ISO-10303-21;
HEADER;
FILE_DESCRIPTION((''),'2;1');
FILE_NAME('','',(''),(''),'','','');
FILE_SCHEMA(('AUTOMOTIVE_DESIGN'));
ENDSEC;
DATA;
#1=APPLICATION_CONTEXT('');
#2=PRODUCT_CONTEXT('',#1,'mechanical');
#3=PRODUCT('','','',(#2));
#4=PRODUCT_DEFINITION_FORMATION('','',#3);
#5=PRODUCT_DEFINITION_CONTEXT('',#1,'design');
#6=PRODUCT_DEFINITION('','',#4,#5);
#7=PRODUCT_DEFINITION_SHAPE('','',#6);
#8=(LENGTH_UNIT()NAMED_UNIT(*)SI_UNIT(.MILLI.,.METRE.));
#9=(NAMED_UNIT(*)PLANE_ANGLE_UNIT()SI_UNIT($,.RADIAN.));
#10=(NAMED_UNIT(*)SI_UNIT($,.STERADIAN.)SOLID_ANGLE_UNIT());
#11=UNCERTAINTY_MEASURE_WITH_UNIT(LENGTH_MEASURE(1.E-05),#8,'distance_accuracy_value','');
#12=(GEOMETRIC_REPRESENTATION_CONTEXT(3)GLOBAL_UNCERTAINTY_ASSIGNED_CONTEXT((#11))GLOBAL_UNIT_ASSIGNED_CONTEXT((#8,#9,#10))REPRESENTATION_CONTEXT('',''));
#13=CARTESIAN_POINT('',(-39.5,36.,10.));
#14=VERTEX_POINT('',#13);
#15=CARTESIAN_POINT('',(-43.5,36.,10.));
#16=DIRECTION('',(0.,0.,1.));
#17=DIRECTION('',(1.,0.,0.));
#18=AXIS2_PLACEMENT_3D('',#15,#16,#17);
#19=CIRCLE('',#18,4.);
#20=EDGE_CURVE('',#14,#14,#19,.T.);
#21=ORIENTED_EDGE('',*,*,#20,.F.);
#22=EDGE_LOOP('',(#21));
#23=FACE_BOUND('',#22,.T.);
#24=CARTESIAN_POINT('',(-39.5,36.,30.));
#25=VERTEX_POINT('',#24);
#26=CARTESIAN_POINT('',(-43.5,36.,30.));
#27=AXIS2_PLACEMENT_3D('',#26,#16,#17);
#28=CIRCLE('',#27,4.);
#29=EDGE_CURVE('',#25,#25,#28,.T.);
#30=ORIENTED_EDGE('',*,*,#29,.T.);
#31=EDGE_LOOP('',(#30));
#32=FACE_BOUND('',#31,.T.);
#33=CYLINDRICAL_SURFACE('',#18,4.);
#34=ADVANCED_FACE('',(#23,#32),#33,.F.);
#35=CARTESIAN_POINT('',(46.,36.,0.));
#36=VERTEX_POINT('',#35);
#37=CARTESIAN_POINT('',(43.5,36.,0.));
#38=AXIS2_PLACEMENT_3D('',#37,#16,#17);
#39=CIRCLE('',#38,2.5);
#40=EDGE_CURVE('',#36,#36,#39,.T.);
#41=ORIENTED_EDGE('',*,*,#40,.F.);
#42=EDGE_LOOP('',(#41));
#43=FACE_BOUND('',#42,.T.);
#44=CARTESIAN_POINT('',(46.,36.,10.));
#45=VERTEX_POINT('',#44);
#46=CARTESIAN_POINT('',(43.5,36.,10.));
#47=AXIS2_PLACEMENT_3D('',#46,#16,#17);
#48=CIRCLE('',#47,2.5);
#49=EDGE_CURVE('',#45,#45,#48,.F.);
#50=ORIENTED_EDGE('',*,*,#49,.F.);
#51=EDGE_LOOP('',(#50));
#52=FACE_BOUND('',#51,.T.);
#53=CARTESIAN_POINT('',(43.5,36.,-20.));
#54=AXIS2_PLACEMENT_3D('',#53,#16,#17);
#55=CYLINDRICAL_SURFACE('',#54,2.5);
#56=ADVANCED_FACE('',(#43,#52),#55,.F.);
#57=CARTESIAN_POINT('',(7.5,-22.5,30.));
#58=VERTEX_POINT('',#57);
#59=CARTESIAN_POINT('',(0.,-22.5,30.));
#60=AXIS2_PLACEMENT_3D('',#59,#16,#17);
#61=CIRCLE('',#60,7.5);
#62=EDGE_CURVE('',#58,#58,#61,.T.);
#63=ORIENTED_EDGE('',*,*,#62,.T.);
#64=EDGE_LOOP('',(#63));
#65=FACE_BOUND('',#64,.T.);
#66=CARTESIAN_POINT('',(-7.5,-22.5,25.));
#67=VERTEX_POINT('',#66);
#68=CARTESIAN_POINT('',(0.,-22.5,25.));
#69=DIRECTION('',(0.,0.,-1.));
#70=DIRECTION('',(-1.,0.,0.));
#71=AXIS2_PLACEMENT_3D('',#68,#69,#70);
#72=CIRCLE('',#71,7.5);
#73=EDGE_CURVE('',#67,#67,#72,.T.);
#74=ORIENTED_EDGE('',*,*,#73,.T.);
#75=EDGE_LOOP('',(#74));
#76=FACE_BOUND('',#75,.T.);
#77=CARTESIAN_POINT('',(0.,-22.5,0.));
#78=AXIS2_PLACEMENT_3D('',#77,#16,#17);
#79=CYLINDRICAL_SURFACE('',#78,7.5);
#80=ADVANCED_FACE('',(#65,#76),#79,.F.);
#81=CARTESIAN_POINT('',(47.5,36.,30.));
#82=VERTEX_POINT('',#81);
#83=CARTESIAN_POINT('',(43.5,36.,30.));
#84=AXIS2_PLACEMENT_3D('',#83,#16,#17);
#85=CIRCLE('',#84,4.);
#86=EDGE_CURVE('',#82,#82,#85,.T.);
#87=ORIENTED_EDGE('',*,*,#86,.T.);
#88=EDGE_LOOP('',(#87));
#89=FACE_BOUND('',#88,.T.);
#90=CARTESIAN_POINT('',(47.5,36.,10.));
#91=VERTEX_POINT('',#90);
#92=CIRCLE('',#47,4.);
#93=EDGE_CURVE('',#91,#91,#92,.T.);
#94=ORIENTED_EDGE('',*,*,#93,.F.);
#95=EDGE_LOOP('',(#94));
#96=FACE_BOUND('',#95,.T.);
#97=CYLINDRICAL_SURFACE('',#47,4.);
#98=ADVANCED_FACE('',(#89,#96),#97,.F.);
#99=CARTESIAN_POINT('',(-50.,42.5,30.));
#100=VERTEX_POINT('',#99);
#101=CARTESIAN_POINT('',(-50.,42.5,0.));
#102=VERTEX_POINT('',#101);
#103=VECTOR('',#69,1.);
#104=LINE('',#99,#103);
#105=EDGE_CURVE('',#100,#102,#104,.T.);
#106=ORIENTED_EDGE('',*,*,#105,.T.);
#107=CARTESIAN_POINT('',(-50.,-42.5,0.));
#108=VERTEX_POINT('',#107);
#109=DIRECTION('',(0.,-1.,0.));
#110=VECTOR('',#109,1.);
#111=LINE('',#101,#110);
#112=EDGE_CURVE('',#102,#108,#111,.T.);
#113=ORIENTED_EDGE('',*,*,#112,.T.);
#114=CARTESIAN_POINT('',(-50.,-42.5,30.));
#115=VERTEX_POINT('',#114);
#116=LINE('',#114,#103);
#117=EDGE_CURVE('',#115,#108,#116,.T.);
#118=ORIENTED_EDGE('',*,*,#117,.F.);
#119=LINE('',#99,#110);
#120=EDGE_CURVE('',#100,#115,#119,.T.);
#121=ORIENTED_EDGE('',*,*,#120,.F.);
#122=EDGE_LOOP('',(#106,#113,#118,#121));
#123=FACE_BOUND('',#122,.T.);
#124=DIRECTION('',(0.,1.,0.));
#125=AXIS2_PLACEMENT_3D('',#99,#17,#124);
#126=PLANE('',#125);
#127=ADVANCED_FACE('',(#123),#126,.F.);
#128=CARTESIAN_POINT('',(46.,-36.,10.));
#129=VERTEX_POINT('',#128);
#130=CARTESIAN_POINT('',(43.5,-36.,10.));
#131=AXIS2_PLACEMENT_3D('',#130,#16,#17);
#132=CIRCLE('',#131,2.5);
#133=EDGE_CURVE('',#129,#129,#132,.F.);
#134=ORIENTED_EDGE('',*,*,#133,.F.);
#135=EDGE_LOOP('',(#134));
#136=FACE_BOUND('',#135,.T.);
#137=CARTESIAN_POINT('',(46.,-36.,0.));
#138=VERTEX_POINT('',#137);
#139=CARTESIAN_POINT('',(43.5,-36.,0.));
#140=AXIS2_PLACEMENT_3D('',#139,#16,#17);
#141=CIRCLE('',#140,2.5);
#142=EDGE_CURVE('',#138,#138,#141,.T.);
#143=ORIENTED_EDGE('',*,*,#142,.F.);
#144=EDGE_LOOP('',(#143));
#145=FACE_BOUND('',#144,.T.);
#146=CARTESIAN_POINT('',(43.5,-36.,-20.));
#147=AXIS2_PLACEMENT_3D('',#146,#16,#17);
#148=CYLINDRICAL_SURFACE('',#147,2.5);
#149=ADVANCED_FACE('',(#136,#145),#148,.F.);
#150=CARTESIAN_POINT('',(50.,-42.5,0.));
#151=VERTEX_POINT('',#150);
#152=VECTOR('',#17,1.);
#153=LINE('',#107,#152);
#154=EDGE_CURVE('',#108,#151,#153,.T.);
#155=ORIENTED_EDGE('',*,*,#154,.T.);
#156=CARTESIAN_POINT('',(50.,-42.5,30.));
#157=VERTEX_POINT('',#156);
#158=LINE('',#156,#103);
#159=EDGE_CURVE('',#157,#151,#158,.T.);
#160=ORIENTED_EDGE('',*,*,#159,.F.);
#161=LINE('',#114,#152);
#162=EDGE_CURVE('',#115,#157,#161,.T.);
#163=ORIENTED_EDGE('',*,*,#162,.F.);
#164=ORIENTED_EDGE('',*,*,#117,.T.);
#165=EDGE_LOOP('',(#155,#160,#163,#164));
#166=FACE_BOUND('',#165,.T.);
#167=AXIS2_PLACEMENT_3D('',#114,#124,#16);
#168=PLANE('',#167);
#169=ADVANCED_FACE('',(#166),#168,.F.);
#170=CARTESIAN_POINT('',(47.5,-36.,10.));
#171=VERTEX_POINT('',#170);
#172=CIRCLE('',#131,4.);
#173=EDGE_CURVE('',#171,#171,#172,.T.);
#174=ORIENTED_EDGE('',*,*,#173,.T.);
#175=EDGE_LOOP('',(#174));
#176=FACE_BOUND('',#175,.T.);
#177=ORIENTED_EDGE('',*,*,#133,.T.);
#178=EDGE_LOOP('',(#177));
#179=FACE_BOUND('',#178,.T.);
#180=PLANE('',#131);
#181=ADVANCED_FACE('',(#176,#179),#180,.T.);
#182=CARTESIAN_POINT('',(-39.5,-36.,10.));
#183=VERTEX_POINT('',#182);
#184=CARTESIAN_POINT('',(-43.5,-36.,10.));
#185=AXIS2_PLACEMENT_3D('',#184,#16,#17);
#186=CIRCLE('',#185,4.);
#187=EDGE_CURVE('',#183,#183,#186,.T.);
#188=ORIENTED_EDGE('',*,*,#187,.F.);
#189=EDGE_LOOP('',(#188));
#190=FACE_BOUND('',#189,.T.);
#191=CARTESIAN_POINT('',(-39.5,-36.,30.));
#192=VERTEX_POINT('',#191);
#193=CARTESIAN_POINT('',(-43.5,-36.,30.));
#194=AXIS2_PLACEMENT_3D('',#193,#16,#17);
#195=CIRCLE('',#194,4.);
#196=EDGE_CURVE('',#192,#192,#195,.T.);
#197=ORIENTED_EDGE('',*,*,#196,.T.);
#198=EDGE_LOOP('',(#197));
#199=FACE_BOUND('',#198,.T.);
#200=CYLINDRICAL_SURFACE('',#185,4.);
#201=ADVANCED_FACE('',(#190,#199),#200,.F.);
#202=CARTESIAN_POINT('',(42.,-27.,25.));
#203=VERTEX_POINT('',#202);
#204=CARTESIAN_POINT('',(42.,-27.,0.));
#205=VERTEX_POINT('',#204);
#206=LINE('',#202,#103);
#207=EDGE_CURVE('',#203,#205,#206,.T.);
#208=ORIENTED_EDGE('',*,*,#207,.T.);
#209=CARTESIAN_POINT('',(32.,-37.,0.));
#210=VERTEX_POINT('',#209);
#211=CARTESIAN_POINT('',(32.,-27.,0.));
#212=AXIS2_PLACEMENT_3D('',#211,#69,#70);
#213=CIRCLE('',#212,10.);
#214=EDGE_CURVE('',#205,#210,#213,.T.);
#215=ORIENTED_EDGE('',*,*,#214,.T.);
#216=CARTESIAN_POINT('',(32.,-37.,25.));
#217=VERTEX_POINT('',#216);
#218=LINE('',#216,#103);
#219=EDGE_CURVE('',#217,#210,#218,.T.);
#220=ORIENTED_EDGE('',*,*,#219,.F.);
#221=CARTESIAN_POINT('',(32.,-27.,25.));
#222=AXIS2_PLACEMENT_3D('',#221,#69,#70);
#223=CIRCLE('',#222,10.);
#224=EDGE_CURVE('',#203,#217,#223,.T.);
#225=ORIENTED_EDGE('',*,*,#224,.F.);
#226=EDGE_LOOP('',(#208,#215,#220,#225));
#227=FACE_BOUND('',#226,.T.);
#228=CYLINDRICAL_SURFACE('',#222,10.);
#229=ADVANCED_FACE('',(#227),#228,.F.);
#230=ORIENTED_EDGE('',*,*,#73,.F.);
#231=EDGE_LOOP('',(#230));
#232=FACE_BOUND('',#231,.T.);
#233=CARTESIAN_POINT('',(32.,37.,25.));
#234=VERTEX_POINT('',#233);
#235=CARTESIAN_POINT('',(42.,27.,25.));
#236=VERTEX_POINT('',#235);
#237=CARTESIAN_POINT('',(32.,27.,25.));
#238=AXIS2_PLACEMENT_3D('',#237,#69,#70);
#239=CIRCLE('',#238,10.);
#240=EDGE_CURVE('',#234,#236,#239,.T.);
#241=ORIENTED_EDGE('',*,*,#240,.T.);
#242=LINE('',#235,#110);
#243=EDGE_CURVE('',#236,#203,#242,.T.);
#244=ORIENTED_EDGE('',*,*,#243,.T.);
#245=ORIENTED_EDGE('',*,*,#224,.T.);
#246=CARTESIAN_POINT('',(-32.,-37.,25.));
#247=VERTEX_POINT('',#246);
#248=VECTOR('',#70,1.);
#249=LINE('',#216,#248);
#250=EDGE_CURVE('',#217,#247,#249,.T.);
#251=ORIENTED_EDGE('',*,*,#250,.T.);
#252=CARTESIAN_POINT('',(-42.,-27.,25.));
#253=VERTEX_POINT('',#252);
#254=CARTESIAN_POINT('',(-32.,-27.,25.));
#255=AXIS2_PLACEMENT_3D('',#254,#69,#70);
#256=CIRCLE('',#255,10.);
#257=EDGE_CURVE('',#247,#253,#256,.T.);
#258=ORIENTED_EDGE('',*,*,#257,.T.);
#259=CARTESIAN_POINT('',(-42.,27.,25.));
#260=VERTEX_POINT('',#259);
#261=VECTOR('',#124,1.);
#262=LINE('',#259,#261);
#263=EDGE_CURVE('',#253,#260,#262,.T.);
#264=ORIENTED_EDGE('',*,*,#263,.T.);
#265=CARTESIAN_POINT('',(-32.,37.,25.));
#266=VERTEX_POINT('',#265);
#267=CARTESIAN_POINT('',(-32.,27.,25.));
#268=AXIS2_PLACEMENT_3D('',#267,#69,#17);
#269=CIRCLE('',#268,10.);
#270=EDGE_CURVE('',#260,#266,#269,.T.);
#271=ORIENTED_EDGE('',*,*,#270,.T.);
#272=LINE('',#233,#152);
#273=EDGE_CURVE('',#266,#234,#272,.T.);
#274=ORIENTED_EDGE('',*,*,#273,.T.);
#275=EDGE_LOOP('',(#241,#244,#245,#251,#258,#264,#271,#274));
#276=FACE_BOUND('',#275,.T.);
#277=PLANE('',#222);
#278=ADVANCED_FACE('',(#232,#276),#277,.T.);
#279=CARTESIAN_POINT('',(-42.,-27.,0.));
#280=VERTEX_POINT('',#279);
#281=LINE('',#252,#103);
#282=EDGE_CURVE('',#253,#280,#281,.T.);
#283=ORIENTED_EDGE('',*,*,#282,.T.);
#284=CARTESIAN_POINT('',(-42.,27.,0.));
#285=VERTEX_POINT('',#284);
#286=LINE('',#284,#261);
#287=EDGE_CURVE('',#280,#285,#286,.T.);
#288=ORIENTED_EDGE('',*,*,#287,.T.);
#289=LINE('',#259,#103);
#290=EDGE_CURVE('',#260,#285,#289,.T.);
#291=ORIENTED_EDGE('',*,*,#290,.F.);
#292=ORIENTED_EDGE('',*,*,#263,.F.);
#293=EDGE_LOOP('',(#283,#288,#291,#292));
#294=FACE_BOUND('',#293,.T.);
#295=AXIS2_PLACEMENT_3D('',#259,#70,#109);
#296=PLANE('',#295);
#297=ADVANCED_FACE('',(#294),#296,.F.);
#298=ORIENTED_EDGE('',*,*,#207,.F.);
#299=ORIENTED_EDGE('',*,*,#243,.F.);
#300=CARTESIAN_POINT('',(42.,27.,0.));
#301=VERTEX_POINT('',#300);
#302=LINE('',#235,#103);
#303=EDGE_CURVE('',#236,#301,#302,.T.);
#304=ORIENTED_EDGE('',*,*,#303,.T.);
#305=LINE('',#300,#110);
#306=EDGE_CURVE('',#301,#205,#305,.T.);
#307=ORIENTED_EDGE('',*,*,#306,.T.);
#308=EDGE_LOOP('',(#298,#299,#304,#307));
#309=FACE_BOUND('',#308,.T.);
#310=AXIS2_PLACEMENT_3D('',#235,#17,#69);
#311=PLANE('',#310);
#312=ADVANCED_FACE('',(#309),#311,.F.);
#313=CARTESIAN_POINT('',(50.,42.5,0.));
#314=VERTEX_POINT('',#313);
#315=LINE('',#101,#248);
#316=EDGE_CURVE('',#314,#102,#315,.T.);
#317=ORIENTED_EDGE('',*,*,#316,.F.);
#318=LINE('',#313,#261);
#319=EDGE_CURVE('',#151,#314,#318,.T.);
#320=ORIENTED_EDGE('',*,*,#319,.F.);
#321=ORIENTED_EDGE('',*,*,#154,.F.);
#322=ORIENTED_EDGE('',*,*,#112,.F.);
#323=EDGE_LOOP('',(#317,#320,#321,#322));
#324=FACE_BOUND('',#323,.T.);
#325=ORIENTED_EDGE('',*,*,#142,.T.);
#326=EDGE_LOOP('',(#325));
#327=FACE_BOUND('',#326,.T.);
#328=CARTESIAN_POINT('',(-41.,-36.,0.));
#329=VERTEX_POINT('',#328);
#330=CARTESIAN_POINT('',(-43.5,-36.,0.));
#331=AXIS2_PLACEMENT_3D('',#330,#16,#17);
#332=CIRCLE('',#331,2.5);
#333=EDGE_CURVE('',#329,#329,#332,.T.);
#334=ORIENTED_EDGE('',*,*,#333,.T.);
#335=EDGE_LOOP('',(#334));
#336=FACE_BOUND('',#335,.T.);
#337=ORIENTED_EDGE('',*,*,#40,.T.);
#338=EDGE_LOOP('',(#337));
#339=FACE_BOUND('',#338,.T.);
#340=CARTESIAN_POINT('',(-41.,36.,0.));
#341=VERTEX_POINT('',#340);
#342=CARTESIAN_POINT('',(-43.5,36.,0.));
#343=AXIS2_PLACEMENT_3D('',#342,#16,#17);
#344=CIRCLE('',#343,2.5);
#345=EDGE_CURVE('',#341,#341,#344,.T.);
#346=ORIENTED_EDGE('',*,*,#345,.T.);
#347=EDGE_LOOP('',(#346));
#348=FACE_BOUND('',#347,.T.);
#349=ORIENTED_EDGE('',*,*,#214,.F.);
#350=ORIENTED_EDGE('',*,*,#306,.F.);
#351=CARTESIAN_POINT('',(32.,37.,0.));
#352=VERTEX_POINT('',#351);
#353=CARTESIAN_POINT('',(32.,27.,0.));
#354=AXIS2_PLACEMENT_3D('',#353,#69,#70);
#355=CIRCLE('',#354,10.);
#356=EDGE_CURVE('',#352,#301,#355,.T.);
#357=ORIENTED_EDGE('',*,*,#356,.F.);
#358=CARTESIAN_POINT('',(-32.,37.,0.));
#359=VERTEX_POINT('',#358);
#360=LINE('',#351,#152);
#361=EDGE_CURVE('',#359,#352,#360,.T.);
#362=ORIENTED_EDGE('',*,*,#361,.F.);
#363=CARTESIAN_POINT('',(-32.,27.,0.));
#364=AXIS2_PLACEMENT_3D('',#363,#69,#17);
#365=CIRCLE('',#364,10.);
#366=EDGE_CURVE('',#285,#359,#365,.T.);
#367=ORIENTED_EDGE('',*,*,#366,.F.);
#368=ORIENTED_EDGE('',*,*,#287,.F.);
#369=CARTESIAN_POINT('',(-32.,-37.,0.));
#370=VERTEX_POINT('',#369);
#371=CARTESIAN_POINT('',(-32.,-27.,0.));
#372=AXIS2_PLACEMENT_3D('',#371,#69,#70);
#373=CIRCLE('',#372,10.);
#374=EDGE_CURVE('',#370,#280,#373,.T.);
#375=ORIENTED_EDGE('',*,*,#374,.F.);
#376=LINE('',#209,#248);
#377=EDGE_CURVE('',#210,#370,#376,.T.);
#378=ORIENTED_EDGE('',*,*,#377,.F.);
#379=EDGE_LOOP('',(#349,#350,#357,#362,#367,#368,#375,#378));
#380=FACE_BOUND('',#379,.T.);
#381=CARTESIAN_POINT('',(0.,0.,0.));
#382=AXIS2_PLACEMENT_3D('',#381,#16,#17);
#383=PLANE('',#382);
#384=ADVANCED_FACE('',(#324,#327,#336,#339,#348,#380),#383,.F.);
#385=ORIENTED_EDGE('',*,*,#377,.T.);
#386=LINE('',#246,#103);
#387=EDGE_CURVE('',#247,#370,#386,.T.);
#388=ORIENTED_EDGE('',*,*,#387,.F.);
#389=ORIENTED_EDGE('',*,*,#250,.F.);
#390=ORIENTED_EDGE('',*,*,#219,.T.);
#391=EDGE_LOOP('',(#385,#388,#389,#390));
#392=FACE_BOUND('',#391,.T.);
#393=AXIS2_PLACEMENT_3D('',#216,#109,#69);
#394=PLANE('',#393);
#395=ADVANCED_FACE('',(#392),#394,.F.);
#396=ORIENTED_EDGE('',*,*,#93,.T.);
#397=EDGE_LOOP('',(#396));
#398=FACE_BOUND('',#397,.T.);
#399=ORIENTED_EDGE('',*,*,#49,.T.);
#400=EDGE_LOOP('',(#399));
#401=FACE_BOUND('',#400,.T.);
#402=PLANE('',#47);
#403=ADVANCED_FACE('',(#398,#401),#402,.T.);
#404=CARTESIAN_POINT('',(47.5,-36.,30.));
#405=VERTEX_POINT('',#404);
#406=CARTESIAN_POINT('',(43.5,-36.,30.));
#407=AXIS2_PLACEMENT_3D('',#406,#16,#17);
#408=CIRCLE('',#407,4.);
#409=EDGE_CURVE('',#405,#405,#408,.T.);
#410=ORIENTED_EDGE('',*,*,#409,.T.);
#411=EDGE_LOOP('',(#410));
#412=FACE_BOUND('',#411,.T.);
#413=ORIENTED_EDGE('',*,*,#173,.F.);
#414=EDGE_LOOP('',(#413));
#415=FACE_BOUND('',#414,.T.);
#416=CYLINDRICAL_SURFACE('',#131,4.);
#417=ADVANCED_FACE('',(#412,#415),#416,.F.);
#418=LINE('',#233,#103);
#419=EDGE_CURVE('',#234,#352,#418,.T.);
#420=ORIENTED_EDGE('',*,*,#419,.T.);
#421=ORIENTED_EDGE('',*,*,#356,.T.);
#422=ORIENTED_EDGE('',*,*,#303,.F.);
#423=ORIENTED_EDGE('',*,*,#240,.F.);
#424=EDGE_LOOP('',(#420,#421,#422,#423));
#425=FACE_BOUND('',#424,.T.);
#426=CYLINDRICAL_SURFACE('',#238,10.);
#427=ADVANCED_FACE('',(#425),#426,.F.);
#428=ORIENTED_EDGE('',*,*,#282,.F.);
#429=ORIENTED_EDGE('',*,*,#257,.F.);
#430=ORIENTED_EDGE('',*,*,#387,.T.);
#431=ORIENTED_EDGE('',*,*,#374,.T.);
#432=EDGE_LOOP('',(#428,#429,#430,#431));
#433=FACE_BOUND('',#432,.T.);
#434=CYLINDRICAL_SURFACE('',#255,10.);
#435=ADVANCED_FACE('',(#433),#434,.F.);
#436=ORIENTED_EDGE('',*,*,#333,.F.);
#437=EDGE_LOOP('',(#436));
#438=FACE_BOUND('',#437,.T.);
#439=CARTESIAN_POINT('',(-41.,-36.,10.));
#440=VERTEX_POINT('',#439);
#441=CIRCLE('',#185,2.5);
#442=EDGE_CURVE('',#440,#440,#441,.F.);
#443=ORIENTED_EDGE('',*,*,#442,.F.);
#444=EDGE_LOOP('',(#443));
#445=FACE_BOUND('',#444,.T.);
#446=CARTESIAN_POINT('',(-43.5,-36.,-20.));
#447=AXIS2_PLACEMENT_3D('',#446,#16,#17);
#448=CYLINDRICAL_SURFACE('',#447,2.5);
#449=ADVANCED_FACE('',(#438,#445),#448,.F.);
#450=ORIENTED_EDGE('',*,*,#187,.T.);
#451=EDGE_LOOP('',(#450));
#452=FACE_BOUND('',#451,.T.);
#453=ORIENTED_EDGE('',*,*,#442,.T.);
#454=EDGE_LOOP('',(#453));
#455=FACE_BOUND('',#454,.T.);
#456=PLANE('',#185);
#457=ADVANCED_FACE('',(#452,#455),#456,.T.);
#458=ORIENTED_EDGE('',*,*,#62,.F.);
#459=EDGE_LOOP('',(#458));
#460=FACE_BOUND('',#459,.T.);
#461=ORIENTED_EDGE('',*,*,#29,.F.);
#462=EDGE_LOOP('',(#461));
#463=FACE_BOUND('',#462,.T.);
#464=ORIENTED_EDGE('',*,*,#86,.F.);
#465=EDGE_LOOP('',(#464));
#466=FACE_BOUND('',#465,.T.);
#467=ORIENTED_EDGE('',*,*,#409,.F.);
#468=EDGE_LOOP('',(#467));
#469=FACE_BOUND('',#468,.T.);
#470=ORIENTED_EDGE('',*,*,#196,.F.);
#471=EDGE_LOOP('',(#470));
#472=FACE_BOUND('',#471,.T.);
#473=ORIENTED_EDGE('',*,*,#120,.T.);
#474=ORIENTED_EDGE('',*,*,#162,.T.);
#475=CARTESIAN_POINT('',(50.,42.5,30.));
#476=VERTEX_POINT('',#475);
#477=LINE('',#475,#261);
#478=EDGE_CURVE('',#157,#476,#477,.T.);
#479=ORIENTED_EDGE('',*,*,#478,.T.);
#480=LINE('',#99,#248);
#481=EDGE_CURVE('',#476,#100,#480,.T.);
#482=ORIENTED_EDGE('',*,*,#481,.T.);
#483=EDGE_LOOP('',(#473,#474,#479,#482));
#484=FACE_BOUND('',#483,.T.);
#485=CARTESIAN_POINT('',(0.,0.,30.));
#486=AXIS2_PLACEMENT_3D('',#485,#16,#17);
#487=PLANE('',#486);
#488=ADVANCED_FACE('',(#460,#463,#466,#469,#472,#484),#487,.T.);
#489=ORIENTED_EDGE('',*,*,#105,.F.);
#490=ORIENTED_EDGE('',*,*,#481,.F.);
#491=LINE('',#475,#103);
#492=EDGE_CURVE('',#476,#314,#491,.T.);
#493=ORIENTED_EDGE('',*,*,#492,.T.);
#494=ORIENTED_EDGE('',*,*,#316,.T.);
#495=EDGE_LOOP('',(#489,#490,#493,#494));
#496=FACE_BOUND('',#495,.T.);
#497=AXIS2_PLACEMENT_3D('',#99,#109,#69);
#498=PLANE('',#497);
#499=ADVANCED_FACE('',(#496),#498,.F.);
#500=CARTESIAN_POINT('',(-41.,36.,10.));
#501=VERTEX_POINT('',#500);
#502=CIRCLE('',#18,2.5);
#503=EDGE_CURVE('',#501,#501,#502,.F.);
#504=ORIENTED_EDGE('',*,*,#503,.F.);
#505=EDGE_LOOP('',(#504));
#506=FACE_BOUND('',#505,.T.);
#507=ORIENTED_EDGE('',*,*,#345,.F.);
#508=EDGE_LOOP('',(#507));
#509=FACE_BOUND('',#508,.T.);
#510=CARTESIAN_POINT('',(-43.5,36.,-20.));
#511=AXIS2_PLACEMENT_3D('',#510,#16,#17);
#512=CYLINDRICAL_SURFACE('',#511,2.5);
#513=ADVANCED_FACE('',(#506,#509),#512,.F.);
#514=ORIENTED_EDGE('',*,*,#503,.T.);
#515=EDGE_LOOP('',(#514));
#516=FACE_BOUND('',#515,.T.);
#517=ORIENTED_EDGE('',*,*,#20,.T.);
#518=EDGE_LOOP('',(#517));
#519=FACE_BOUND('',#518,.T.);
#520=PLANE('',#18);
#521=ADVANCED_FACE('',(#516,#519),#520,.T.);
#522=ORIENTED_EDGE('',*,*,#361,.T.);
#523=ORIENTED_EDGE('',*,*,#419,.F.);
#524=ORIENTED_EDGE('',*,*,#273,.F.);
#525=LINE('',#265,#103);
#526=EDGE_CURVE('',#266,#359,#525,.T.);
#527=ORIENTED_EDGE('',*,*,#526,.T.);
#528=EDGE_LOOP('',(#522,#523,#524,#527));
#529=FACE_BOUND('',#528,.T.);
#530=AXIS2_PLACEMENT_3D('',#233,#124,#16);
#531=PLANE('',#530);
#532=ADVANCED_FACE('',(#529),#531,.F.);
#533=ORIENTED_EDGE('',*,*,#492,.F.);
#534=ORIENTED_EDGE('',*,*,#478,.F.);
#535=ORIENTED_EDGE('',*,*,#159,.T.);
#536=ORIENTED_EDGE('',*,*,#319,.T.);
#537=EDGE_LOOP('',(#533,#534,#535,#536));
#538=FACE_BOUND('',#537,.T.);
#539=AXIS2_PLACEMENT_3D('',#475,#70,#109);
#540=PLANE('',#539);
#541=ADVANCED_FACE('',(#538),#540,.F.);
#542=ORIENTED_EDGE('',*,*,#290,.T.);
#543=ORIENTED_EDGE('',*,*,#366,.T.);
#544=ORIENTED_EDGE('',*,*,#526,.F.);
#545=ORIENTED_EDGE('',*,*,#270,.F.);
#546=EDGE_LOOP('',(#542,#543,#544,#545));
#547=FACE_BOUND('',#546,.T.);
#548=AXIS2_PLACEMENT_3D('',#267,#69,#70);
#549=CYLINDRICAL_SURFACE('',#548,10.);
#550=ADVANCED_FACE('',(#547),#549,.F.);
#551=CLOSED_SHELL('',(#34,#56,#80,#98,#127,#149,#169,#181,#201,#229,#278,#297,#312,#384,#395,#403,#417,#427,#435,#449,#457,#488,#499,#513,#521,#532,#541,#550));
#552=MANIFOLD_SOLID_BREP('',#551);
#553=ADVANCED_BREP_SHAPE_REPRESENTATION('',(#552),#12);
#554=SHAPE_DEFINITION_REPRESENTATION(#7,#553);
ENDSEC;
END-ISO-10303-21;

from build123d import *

# Parameters (mm, degrees)
SKETCH1_W           = 100
SKETCH1_H           = 85
BOSS_EXTRUDE1_DEPTH = 30
SKETCH3_R           = 2.5
CUT_EXTRUDE1_DEPTH  = 50
SKETCH4_R           = 4
CUT_EXTRUDE2_DEPTH  = 20
CUT_EXTRUDE5_DEPTH  = 25
SKETCH8_R           = 7.5
CUT_EXTRUDE6_DEPTH  = 31


with BuildPart() as part:
    # Sketch1 → Boss-Extrude1 (new body)
    with BuildSketch(Plane.XY):
        Rectangle(SKETCH1_W, SKETCH1_H)
    extrude(amount=BOSS_EXTRUDE1_DEPTH)

    # Sketch3 → Cut-Extrude1 (cut)
    with BuildSketch(Plane.XY.offset(30)):
        with Locations((-43.5, 36)):
            Circle(SKETCH3_R)
        with Locations((43.5, 36)):
            Circle(SKETCH3_R)
        with Locations((43.5, -36)):
            Circle(SKETCH3_R)
        with Locations((-43.5, -36)):
            Circle(SKETCH3_R)
    extrude(amount=-CUT_EXTRUDE1_DEPTH, mode=Mode.SUBTRACT)

    # Sketch4 → Cut-Extrude2 (cut)
    with BuildSketch(Plane.XY.offset(30)):
        with Locations((-43.5, 36)):
            Circle(SKETCH4_R)
        with Locations((43.5, 36)):
            Circle(SKETCH4_R)
        with Locations((-43.5, -36)):
            Circle(SKETCH4_R)
        with Locations((43.5, -36)):
            Circle(SKETCH4_R)
    extrude(amount=-CUT_EXTRUDE2_DEPTH, mode=Mode.SUBTRACT)

    # Sketch7 → Cut-Extrude5 (cut)
    with BuildSketch(Plane(origin=(0, 0, 0), x_dir=(-1, 0, 0), z_dir=(0, 0, -1))):
        with BuildLine():
            Line((-32, 37), (32, 37))
            ThreePointArc((32, 37), (39.071067812, 34.071067812), (42, 27))
            Line((42, 27), (42, -27))
            ThreePointArc((42, -27), (39.071067812, -34.071067812), (32, -37))
            Line((32, -37), (-32, -37))
            ThreePointArc((-32, -37), (-39.071067812, -34.071067812), (-42, -27))
            Line((-42, -27), (-42, 27))
            ThreePointArc((-42, 27), (-39.071067812, 34.071067812), (-32, 37))
        make_face()
    extrude(amount=-CUT_EXTRUDE5_DEPTH, mode=Mode.SUBTRACT)

    # Sketch8 → Cut-Extrude6 (cut, through all)
    with BuildSketch(Plane.XY.offset(30)):
        with Locations((0, -22.5)):
            Circle(SKETCH8_R)
    extrude(amount=-CUT_EXTRUDE6_DEPTH, mode=Mode.SUBTRACT)


solid = part.part
